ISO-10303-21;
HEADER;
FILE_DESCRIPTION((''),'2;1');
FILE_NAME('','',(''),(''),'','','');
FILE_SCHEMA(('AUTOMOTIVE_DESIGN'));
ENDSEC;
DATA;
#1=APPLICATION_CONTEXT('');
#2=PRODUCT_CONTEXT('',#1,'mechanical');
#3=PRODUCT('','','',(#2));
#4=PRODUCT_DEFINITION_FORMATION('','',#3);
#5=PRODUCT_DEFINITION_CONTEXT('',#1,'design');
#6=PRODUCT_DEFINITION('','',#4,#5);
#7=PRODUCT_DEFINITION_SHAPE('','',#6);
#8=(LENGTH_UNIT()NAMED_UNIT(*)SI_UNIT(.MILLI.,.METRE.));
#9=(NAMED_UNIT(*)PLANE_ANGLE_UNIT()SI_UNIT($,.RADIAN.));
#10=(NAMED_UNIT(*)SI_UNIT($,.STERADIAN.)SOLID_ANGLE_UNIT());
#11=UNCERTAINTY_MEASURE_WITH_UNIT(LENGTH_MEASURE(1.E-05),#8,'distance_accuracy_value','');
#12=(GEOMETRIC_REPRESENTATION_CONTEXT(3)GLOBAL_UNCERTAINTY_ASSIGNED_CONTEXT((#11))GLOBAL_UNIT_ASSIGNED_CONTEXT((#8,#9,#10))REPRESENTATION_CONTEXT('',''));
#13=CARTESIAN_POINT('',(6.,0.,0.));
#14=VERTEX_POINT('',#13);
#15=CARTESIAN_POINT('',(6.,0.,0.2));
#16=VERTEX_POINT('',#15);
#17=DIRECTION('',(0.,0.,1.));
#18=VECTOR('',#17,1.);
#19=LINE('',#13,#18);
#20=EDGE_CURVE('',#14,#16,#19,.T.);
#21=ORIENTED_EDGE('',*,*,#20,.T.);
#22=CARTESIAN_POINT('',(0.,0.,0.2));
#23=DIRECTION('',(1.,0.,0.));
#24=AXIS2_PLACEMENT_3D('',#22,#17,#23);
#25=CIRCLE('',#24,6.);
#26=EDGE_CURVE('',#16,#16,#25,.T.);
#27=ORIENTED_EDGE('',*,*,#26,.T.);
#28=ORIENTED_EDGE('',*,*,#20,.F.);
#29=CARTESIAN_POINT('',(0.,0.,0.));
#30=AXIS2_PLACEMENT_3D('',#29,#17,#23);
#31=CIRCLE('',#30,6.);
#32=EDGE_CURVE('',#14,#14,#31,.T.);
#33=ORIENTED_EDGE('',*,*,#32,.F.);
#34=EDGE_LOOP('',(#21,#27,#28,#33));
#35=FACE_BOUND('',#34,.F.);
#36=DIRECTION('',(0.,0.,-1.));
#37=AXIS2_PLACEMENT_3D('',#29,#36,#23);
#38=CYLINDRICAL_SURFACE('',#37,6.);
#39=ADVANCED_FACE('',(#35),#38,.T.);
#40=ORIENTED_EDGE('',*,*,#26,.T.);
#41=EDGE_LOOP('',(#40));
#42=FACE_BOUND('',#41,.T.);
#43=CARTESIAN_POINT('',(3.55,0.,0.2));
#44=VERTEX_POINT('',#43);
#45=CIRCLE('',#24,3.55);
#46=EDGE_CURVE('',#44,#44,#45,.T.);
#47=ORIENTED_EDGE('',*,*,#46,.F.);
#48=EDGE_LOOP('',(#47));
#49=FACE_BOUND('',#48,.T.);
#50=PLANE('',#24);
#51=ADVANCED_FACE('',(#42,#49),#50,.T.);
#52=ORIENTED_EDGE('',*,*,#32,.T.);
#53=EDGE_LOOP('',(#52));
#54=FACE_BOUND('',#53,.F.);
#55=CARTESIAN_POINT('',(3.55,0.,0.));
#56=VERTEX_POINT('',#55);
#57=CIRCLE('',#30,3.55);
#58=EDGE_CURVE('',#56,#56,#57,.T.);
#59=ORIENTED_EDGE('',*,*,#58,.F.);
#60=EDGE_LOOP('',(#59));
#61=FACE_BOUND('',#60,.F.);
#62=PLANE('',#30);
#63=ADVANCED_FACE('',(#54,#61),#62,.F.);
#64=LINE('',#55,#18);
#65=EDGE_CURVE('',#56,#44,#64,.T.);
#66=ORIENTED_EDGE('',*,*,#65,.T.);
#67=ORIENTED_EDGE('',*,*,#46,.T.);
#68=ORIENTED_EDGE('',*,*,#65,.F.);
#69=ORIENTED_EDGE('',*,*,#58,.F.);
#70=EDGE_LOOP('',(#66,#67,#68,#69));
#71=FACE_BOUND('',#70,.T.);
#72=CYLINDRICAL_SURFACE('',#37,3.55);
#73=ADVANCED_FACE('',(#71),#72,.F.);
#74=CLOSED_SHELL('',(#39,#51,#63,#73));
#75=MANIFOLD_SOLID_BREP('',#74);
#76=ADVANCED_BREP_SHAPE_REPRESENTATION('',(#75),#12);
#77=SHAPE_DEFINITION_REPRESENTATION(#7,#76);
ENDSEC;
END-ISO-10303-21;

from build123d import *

# Parameters (mm, degrees)
SKETCH_R   = 6
SKETCH_R_2 = 3.55
PAD_DEPTH  = 0.2


with BuildPart() as part:
    # Sketch → Pad (new body)
    with BuildSketch(Plane.XY):
        Circle(SKETCH_R)
        Circle(SKETCH_R_2, mode=Mode.SUBTRACT)
    extrude(amount=PAD_DEPTH)


solid = part.part
